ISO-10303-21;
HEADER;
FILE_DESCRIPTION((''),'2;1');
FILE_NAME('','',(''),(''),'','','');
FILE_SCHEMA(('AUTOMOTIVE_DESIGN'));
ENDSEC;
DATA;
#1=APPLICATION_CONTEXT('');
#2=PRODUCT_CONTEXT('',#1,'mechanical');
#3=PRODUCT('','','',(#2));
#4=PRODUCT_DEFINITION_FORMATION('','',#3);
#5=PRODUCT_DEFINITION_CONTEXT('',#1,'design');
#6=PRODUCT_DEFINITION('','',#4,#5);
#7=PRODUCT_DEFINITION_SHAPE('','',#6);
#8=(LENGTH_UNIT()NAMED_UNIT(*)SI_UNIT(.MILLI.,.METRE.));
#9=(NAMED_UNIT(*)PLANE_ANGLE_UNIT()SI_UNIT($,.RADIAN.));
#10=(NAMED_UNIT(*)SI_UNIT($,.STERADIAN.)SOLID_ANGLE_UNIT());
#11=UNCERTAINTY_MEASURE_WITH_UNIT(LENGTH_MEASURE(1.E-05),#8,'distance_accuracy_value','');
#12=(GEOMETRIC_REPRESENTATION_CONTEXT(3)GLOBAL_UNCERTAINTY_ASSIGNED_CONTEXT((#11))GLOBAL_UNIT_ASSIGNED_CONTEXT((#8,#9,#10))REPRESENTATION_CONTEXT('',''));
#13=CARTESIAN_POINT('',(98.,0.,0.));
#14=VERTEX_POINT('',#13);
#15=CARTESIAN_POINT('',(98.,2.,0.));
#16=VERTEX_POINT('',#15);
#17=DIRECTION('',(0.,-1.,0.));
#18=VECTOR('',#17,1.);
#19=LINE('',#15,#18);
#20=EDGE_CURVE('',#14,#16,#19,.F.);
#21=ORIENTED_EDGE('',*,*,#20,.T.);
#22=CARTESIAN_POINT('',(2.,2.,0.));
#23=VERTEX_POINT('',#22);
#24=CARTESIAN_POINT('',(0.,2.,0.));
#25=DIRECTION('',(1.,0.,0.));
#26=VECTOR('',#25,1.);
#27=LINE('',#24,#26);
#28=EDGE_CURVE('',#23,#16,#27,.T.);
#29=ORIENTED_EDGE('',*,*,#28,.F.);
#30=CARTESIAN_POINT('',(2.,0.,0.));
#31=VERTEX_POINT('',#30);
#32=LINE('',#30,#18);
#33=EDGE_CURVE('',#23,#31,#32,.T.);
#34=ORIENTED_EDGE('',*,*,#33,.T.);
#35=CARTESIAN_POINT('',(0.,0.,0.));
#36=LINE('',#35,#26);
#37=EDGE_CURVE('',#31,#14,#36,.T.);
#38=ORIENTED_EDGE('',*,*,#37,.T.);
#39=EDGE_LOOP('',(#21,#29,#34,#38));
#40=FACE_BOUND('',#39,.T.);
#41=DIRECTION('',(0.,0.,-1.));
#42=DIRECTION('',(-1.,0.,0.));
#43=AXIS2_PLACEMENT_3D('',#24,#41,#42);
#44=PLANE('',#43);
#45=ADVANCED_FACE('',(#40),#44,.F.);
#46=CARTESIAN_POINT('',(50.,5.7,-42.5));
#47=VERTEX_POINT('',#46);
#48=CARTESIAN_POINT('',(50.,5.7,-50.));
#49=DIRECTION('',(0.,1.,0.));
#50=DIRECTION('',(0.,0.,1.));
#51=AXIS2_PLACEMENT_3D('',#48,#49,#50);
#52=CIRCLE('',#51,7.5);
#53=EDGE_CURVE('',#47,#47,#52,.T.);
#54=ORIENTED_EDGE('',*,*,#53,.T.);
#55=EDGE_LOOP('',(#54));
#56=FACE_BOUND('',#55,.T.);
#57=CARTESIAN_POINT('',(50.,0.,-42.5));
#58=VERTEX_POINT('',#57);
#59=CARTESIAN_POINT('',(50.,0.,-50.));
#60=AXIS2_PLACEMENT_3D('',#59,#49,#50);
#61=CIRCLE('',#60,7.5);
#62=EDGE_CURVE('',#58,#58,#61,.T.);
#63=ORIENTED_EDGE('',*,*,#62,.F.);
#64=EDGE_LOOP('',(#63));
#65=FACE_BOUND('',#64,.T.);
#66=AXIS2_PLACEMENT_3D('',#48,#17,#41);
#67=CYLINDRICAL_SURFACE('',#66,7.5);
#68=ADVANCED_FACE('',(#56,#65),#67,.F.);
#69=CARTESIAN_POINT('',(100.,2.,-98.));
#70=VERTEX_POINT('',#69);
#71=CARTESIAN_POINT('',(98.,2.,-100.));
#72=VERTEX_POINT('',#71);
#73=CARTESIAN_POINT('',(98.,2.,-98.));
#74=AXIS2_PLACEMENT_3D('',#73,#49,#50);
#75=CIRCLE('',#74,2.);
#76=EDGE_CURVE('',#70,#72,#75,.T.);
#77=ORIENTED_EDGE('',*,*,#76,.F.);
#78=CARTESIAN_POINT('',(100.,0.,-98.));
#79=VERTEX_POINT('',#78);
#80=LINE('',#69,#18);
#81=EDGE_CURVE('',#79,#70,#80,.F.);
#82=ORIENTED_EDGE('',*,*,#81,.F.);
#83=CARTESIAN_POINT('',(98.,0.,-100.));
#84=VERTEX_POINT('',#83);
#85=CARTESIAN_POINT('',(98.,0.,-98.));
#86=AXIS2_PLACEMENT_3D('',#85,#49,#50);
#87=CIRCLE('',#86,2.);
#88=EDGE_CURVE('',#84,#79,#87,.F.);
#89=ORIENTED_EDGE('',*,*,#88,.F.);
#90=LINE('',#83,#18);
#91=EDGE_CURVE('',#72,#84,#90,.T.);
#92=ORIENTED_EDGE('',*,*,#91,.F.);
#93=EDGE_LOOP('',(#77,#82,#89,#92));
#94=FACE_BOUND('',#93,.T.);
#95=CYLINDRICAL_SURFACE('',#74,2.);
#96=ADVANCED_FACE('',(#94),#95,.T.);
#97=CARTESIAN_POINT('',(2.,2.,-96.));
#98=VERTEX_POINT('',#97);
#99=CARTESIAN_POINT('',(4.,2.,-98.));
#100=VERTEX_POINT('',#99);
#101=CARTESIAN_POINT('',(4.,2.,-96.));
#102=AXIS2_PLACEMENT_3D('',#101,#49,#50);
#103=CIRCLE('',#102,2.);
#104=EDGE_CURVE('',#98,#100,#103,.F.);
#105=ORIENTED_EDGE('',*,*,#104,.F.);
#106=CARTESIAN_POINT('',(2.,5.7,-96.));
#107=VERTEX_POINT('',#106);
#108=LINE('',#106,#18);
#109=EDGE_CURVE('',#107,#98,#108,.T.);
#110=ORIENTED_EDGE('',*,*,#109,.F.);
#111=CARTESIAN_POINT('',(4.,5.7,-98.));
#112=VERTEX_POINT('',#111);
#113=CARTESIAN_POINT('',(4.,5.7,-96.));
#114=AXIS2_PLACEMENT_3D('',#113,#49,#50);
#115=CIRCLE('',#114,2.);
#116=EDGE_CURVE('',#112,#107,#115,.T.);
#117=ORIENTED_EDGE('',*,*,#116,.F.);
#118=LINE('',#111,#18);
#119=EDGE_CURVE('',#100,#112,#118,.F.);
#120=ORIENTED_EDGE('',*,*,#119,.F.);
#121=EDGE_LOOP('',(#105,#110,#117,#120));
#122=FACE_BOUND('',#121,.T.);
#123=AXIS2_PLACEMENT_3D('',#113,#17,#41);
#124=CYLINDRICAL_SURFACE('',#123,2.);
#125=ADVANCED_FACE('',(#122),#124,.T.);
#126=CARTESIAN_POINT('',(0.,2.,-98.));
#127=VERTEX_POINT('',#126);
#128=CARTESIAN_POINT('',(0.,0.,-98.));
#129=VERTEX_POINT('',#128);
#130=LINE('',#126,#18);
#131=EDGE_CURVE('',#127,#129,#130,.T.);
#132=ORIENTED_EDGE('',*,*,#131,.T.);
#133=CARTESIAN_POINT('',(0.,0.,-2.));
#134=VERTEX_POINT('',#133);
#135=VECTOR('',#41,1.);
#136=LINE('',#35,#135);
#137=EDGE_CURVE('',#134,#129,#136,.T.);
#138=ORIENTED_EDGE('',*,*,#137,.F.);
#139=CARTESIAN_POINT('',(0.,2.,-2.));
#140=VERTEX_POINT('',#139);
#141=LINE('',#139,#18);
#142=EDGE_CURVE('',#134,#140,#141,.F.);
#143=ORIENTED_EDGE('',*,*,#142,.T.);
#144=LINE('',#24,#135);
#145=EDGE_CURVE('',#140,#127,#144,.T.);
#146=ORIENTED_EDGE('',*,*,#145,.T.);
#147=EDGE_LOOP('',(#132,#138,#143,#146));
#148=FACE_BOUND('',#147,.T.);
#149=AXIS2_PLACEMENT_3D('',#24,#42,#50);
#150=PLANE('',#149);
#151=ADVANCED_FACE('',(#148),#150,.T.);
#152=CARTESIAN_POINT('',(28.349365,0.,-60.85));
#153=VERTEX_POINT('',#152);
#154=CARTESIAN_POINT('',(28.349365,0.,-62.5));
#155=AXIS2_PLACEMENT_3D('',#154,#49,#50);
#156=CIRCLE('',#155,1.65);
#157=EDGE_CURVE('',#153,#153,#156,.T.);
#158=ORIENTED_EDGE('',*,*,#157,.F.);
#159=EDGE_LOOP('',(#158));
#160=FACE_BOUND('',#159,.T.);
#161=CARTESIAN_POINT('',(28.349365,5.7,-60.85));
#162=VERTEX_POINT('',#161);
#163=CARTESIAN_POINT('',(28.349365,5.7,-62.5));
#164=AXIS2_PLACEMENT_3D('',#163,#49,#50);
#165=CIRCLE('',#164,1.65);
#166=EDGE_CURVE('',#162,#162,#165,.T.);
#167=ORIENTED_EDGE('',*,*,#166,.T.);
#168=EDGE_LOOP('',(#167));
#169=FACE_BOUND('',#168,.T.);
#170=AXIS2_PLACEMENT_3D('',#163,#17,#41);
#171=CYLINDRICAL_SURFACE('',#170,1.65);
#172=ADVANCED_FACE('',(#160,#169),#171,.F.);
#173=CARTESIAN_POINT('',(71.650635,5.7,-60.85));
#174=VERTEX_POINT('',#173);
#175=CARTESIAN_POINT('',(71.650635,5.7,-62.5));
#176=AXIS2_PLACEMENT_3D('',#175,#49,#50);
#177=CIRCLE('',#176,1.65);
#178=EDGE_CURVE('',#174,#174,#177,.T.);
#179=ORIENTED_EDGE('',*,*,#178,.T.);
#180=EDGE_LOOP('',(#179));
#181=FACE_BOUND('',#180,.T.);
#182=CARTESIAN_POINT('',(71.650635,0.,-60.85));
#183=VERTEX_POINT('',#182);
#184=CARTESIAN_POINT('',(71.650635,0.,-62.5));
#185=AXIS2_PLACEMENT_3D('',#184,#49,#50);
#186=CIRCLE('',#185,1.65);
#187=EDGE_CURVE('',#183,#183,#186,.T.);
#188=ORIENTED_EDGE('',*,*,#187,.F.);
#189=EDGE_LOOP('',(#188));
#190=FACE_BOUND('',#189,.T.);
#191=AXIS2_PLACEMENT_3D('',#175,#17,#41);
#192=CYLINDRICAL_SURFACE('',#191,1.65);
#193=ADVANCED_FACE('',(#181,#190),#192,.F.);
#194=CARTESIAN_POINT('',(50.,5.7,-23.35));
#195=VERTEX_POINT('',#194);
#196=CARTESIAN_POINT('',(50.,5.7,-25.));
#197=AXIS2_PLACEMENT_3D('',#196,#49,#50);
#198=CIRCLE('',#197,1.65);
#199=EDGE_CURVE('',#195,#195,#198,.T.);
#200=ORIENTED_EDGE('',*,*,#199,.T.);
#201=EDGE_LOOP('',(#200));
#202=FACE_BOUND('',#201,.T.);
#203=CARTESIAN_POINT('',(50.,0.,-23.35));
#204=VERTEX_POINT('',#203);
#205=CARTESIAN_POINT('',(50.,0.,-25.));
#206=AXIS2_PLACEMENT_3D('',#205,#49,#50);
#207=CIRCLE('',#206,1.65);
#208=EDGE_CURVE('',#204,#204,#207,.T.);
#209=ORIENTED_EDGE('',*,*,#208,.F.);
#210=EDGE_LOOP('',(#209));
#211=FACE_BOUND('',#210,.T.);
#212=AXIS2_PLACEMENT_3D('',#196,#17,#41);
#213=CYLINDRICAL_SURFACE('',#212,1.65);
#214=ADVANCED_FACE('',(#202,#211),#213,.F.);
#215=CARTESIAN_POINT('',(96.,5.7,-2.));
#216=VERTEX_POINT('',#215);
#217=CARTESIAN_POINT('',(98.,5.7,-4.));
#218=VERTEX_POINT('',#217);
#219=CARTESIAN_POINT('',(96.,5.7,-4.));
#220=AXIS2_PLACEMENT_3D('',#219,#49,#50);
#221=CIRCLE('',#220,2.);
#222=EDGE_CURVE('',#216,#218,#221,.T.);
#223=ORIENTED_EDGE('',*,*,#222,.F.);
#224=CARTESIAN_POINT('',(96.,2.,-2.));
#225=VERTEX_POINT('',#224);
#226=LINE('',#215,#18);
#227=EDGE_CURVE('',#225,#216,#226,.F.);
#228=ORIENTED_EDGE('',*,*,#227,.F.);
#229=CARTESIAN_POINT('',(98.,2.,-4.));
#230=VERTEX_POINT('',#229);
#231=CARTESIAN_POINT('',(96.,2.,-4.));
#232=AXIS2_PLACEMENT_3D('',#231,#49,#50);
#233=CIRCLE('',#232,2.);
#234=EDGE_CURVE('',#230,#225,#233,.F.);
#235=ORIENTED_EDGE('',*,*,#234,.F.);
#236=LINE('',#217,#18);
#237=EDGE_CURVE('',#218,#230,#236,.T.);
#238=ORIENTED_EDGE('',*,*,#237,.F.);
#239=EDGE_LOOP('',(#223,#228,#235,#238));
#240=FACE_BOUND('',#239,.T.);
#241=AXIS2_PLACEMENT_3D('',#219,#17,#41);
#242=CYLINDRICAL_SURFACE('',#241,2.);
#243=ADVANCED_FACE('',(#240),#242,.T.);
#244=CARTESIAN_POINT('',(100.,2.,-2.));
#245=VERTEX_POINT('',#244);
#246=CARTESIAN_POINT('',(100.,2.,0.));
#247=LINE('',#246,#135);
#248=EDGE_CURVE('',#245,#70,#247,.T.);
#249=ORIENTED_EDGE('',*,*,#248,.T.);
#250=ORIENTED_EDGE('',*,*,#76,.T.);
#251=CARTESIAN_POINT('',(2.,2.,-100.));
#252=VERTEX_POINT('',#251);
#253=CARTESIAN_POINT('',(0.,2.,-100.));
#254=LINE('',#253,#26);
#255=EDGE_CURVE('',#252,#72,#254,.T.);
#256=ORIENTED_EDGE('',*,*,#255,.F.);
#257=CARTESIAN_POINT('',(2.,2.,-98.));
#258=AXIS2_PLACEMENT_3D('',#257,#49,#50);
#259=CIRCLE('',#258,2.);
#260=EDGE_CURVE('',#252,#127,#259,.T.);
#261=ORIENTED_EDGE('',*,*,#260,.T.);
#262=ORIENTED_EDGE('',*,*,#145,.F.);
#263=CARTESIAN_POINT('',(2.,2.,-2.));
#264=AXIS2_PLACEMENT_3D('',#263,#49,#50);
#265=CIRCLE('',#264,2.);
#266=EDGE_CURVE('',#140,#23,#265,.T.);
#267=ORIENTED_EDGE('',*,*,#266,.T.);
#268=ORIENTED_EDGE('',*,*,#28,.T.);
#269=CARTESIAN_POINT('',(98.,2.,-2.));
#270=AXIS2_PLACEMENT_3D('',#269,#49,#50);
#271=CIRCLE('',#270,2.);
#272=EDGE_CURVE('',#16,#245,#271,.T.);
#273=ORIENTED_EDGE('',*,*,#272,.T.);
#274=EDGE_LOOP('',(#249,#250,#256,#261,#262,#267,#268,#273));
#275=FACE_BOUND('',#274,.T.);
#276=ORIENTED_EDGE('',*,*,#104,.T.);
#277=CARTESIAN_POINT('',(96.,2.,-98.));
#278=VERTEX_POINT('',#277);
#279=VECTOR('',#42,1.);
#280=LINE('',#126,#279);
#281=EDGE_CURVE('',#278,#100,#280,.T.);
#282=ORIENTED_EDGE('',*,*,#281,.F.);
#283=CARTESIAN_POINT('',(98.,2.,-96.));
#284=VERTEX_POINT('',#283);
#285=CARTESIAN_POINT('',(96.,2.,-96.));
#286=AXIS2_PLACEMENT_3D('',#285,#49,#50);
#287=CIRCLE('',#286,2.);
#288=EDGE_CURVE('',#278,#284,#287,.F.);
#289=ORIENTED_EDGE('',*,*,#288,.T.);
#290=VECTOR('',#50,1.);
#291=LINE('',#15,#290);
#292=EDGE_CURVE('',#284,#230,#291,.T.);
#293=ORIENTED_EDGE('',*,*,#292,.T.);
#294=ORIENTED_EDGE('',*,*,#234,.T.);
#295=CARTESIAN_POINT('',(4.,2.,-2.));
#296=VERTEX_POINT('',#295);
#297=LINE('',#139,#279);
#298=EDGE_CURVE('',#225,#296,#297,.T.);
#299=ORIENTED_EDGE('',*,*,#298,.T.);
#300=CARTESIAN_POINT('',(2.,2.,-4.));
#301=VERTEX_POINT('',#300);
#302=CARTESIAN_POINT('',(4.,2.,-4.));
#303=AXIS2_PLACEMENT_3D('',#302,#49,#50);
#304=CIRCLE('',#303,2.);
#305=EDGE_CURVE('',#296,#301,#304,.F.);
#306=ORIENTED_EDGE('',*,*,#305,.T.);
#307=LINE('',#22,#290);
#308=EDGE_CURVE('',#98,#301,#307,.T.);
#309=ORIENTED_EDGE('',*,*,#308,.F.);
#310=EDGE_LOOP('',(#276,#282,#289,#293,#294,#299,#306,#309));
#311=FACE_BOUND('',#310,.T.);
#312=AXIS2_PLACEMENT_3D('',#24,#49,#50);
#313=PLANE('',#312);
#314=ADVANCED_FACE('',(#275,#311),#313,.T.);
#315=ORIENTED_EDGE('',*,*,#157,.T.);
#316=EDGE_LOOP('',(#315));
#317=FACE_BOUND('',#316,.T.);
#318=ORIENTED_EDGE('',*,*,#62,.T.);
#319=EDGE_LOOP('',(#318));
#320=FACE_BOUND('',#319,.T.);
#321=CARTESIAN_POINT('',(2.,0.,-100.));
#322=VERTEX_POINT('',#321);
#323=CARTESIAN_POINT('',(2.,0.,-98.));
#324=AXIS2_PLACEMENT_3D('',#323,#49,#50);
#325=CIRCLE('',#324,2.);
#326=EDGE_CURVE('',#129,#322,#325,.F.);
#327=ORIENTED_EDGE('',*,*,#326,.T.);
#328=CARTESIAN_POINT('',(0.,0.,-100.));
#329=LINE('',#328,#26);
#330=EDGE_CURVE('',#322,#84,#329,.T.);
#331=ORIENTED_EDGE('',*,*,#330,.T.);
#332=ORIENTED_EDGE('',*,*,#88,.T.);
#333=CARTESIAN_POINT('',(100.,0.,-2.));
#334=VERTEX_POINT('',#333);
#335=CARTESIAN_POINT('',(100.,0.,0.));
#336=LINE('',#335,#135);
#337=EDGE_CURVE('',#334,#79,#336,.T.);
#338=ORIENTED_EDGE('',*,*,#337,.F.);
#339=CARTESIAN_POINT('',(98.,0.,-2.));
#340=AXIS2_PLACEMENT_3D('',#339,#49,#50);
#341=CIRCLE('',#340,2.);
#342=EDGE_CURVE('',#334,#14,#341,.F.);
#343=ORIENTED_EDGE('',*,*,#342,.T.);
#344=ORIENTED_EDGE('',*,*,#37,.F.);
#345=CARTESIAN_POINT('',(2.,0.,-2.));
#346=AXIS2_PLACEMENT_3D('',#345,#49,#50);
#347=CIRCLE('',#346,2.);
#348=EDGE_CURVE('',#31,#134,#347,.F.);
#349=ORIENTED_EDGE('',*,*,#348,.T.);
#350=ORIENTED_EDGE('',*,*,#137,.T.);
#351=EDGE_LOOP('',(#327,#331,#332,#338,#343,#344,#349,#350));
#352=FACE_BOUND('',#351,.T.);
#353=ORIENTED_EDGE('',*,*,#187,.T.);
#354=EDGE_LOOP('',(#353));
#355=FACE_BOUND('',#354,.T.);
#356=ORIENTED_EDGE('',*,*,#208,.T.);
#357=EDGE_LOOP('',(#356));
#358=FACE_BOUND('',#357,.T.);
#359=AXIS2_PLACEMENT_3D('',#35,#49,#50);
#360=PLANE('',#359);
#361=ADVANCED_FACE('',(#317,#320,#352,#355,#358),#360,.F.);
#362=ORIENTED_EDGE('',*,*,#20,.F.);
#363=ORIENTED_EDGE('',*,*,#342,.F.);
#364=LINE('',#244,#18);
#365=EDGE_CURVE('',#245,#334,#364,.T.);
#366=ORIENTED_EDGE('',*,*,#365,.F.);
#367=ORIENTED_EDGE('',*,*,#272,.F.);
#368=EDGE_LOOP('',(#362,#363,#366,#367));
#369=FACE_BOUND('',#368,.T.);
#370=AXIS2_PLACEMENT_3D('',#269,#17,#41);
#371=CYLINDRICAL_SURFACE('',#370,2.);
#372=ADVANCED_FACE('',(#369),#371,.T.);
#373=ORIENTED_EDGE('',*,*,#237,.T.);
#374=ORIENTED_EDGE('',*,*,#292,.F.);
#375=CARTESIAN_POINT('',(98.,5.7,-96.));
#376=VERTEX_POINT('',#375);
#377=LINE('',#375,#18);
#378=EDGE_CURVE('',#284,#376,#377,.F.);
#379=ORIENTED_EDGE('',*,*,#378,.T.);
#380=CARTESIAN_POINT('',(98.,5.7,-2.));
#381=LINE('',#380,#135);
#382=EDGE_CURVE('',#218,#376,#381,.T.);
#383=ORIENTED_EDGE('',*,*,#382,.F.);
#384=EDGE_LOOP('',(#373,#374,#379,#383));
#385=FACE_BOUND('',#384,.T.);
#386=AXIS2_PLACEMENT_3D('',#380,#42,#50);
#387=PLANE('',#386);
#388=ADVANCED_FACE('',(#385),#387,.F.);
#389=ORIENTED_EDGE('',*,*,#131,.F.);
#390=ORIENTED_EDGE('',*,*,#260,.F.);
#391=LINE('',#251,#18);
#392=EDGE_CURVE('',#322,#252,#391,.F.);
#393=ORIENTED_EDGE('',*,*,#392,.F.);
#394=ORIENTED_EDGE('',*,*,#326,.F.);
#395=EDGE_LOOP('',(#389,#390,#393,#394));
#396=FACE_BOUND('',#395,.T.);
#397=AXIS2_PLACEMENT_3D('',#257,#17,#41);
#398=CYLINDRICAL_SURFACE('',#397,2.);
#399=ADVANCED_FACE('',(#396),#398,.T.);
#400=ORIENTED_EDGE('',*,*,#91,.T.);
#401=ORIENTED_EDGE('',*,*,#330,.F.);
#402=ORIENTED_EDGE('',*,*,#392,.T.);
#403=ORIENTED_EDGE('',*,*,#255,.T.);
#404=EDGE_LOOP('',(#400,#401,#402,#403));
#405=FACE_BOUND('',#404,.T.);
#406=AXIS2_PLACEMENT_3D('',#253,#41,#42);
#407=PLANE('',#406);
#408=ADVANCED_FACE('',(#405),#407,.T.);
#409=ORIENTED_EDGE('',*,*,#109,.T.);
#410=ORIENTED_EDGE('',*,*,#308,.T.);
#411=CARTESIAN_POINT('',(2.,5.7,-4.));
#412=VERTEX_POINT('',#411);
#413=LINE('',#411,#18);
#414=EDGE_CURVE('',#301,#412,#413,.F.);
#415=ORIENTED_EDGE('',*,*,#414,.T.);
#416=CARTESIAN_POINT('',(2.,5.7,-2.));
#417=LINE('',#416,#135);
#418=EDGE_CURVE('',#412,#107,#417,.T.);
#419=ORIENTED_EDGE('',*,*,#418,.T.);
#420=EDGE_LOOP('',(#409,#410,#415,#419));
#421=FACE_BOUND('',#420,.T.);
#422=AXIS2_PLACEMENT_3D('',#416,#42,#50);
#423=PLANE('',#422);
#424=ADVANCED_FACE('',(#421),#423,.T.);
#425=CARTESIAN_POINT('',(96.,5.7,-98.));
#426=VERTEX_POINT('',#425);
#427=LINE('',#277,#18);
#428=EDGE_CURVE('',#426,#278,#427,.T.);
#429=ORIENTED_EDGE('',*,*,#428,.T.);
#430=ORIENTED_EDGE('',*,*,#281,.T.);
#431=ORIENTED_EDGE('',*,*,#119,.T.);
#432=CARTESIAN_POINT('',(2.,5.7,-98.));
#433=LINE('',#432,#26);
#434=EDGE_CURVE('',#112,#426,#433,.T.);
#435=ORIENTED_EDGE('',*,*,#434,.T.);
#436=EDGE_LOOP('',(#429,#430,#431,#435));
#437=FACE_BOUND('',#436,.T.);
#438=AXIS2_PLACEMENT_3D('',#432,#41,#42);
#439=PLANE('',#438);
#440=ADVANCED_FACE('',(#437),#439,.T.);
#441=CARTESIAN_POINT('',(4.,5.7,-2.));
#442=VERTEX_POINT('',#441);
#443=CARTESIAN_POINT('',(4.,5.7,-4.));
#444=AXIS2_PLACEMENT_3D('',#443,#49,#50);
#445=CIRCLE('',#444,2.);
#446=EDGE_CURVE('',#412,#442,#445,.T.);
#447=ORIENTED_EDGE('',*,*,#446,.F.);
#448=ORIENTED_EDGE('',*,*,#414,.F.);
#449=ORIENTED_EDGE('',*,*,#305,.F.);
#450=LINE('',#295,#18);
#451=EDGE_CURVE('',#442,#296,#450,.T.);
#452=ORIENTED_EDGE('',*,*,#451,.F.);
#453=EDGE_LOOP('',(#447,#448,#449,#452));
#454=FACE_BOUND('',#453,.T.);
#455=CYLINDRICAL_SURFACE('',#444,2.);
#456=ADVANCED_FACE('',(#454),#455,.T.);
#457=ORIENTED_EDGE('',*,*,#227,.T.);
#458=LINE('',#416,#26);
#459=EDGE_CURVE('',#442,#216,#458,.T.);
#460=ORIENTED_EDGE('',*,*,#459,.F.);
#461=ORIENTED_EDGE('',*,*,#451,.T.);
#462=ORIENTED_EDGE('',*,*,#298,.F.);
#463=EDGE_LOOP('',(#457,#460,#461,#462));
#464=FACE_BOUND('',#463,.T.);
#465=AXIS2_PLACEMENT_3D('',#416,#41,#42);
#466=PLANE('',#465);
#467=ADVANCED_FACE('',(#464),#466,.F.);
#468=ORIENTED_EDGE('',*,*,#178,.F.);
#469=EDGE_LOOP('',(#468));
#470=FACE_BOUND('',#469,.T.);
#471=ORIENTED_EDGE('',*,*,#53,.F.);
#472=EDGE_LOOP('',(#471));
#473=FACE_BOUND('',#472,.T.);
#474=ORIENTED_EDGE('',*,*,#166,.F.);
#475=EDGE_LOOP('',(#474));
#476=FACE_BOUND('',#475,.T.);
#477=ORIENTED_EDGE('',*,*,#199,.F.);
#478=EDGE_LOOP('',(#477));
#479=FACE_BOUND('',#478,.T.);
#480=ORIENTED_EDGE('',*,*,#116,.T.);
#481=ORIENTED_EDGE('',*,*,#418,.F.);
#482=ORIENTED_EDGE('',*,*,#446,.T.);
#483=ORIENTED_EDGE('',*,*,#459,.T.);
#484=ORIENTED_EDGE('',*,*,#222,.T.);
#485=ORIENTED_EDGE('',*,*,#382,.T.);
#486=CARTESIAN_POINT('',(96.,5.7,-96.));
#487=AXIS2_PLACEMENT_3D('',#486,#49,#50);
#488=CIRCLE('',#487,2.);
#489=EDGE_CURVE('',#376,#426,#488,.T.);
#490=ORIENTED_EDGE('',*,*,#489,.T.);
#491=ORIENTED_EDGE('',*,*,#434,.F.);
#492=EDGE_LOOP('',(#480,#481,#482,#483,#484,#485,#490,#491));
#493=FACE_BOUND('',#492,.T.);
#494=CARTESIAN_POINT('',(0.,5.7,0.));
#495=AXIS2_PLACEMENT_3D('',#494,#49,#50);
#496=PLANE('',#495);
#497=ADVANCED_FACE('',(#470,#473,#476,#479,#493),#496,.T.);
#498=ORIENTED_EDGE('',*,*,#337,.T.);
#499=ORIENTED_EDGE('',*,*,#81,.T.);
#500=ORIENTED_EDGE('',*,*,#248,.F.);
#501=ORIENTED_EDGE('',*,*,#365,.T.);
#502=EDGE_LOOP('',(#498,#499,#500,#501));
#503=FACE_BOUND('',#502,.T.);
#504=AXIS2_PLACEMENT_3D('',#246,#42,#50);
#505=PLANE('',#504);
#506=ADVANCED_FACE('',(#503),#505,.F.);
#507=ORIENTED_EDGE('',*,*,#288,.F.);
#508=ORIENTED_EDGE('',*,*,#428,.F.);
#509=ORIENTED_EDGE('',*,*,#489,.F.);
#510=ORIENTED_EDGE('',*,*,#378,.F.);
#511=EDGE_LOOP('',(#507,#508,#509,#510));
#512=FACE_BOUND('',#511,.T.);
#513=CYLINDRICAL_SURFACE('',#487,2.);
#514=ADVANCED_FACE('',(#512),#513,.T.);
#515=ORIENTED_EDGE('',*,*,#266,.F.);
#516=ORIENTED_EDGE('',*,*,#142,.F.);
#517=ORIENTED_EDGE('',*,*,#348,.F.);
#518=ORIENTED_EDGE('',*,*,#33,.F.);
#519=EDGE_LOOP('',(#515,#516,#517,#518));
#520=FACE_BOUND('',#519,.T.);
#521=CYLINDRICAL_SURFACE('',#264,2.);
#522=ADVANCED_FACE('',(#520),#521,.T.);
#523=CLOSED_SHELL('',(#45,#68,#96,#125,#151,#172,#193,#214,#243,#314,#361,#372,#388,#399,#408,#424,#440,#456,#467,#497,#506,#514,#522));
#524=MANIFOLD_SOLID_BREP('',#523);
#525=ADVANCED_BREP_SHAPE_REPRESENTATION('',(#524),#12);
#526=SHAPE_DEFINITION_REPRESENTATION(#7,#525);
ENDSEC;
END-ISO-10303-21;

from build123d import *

# Parameters (mm, degrees)
ESBO_O2_W                = 100
ESBO_O2_H                = 100
RESSALTO_EXTRUS_O1_DEPTH = 2
ESBO_O2_3_W              = 96
ESBO_O2_3_H              = 96
RESSALTO_EXTRUS_O2_DEPTH = 5.7
FILETE2_R                = 2
ESBO_O4_R                = 7.5
ESBO_O4_R_2              = 1.65
CORTE_EXTRUS_O1_DEPTH    = 142.53617912


with BuildPart() as part:
    # Esboço2 → Ressalto-extrusão1 (new body)
    with BuildSketch(Plane(origin=(0, 0, 0), x_dir=(1, 0, 0), z_dir=(0, 1, 0))):
        with Locations((50, 50)):
            Rectangle(ESBO_O2_W, ESBO_O2_H)
    extrude(amount=RESSALTO_EXTRUS_O1_DEPTH)

    # Esboço2<3> → Ressalto-extrusão2 (add)
    with BuildSketch(Plane(origin=(0, 0, 0), x_dir=(1, 0, 0), z_dir=(0, 1, 0))):
        with Locations((50, 50)):
            Rectangle(ESBO_O2_3_W, ESBO_O2_3_H)
    extrude(amount=RESSALTO_EXTRUS_O2_DEPTH)

    # Filete2
    filete2_edges = [part.edges().sort_by_distance(p)[0] for p in [
        (0, 1, 0),
        (2, 3.85, -2),
        (100, 1, 0),
        (98, 3.85, -2),
        (100, 1, -100),
        (98, 3.85, -98),
        (0, 1, -100),
        (2, 3.85, -98),
    ]]
    fillet(filete2_edges, radius=FILETE2_R)

    # Esboço4 → Corte-extrusão1 (cut, through all)
    with BuildSketch(Plane(origin=(0, 0, 0), x_dir=(1, 0, 0), z_dir=(0, 1, 0))):
        with Locations((50, 50)):
            Circle(ESBO_O4_R)
        with Locations((50, 25)):
            Circle(ESBO_O4_R_2)
        with Locations((28.349364905, 62.5)):
            Circle(ESBO_O4_R_2)
        with Locations((71.650635095, 62.5)):
            Circle(ESBO_O4_R_2)
    extrude(amount=CORTE_EXTRUS_O1_DEPTH, mode=Mode.SUBTRACT)


solid = part.part
